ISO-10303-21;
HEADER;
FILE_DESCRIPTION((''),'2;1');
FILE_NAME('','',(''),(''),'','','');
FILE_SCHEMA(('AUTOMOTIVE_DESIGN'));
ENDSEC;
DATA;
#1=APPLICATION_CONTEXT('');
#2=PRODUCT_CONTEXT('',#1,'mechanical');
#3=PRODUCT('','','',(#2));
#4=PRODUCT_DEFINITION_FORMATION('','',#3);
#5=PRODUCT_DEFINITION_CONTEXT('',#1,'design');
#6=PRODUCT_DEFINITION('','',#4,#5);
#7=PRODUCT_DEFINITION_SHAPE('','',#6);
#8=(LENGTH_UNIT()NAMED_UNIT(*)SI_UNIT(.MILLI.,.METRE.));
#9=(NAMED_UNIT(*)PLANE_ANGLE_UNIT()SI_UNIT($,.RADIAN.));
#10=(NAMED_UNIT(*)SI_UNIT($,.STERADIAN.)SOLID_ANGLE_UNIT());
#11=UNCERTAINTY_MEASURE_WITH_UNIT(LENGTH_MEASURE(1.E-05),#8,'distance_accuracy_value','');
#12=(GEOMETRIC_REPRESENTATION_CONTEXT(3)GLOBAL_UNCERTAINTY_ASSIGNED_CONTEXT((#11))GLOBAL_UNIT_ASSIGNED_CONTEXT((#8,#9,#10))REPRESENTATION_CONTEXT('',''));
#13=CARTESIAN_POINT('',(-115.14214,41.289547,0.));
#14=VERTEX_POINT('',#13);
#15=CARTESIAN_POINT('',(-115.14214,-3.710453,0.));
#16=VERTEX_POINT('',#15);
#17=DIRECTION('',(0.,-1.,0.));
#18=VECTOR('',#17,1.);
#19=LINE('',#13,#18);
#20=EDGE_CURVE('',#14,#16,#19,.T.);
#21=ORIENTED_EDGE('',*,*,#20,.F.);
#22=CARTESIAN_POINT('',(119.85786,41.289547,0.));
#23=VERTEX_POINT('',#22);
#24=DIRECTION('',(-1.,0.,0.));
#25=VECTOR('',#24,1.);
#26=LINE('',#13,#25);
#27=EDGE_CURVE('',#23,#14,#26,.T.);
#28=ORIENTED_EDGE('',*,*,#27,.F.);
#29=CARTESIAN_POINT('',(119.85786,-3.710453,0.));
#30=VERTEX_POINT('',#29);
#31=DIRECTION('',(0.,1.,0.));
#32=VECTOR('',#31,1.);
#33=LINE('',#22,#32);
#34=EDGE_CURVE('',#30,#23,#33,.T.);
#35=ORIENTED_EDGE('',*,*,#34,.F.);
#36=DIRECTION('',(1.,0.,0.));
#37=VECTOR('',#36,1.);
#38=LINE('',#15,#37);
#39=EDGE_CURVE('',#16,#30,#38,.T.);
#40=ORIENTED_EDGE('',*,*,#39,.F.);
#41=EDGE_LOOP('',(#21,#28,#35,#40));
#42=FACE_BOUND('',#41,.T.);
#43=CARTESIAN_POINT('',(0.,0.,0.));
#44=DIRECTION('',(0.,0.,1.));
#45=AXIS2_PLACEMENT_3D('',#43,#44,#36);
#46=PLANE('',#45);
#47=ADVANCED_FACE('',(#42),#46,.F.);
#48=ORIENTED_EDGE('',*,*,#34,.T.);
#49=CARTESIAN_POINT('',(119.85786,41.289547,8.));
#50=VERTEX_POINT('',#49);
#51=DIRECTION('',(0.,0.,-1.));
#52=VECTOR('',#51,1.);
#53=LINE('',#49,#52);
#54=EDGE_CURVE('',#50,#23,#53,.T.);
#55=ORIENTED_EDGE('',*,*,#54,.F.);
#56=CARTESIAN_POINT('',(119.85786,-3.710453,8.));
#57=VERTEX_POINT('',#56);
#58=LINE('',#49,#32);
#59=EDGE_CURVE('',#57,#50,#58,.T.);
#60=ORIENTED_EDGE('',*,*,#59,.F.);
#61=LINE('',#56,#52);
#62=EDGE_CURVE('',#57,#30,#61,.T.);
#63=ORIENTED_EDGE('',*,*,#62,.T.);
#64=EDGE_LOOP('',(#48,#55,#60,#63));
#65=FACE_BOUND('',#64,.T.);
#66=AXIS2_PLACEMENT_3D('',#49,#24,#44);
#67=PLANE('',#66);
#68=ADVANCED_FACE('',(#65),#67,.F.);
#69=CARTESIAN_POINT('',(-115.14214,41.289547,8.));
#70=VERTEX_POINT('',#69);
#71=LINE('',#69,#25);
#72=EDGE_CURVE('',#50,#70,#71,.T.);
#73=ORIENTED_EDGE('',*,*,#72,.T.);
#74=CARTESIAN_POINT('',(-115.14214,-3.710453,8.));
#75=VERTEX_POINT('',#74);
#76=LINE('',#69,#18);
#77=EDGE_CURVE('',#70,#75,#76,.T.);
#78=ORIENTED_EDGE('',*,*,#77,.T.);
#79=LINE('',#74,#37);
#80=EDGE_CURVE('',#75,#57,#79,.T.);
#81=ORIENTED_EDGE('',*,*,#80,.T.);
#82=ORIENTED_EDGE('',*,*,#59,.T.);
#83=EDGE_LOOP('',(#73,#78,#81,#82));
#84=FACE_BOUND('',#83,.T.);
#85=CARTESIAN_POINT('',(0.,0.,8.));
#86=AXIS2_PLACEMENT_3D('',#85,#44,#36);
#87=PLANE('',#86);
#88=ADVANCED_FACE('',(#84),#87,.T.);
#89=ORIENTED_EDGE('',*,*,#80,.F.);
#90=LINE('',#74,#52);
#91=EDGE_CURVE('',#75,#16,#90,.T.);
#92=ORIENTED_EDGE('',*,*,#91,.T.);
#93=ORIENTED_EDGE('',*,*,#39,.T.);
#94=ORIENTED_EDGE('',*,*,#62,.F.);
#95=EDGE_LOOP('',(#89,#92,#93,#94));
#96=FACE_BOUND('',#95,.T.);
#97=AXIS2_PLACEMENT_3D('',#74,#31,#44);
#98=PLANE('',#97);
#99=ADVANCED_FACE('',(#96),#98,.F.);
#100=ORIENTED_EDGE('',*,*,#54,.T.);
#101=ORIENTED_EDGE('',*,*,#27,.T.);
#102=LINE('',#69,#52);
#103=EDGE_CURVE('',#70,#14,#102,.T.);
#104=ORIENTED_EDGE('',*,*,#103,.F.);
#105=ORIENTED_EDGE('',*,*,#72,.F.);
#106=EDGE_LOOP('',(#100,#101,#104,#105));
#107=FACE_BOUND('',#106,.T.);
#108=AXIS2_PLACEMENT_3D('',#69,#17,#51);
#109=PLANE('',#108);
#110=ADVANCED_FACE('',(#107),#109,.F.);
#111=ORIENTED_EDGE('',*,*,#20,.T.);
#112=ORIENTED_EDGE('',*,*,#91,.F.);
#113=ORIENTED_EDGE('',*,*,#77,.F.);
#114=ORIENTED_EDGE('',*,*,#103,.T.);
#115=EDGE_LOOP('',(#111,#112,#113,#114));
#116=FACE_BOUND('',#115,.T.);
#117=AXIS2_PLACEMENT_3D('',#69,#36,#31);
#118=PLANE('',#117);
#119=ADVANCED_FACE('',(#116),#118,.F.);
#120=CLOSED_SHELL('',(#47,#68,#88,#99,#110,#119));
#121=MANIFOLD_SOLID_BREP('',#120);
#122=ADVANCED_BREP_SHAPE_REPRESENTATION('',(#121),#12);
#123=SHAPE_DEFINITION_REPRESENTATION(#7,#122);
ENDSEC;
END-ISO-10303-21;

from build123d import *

# Parameters (mm, degrees)
SKETCH_1_W      = 235
SKETCH_1_H      = 45
EXTRUDE_1_DEPTH = 8


with BuildPart() as part:
    # 草图1 → 凸台-拉伸1 (new body)
    with BuildSketch(Plane.XY):
        with Locations((2.357859532, 18.789547428)):
            Rectangle(SKETCH_1_W, SKETCH_1_H)
    extrude(amount=EXTRUDE_1_DEPTH)


solid = part.part
